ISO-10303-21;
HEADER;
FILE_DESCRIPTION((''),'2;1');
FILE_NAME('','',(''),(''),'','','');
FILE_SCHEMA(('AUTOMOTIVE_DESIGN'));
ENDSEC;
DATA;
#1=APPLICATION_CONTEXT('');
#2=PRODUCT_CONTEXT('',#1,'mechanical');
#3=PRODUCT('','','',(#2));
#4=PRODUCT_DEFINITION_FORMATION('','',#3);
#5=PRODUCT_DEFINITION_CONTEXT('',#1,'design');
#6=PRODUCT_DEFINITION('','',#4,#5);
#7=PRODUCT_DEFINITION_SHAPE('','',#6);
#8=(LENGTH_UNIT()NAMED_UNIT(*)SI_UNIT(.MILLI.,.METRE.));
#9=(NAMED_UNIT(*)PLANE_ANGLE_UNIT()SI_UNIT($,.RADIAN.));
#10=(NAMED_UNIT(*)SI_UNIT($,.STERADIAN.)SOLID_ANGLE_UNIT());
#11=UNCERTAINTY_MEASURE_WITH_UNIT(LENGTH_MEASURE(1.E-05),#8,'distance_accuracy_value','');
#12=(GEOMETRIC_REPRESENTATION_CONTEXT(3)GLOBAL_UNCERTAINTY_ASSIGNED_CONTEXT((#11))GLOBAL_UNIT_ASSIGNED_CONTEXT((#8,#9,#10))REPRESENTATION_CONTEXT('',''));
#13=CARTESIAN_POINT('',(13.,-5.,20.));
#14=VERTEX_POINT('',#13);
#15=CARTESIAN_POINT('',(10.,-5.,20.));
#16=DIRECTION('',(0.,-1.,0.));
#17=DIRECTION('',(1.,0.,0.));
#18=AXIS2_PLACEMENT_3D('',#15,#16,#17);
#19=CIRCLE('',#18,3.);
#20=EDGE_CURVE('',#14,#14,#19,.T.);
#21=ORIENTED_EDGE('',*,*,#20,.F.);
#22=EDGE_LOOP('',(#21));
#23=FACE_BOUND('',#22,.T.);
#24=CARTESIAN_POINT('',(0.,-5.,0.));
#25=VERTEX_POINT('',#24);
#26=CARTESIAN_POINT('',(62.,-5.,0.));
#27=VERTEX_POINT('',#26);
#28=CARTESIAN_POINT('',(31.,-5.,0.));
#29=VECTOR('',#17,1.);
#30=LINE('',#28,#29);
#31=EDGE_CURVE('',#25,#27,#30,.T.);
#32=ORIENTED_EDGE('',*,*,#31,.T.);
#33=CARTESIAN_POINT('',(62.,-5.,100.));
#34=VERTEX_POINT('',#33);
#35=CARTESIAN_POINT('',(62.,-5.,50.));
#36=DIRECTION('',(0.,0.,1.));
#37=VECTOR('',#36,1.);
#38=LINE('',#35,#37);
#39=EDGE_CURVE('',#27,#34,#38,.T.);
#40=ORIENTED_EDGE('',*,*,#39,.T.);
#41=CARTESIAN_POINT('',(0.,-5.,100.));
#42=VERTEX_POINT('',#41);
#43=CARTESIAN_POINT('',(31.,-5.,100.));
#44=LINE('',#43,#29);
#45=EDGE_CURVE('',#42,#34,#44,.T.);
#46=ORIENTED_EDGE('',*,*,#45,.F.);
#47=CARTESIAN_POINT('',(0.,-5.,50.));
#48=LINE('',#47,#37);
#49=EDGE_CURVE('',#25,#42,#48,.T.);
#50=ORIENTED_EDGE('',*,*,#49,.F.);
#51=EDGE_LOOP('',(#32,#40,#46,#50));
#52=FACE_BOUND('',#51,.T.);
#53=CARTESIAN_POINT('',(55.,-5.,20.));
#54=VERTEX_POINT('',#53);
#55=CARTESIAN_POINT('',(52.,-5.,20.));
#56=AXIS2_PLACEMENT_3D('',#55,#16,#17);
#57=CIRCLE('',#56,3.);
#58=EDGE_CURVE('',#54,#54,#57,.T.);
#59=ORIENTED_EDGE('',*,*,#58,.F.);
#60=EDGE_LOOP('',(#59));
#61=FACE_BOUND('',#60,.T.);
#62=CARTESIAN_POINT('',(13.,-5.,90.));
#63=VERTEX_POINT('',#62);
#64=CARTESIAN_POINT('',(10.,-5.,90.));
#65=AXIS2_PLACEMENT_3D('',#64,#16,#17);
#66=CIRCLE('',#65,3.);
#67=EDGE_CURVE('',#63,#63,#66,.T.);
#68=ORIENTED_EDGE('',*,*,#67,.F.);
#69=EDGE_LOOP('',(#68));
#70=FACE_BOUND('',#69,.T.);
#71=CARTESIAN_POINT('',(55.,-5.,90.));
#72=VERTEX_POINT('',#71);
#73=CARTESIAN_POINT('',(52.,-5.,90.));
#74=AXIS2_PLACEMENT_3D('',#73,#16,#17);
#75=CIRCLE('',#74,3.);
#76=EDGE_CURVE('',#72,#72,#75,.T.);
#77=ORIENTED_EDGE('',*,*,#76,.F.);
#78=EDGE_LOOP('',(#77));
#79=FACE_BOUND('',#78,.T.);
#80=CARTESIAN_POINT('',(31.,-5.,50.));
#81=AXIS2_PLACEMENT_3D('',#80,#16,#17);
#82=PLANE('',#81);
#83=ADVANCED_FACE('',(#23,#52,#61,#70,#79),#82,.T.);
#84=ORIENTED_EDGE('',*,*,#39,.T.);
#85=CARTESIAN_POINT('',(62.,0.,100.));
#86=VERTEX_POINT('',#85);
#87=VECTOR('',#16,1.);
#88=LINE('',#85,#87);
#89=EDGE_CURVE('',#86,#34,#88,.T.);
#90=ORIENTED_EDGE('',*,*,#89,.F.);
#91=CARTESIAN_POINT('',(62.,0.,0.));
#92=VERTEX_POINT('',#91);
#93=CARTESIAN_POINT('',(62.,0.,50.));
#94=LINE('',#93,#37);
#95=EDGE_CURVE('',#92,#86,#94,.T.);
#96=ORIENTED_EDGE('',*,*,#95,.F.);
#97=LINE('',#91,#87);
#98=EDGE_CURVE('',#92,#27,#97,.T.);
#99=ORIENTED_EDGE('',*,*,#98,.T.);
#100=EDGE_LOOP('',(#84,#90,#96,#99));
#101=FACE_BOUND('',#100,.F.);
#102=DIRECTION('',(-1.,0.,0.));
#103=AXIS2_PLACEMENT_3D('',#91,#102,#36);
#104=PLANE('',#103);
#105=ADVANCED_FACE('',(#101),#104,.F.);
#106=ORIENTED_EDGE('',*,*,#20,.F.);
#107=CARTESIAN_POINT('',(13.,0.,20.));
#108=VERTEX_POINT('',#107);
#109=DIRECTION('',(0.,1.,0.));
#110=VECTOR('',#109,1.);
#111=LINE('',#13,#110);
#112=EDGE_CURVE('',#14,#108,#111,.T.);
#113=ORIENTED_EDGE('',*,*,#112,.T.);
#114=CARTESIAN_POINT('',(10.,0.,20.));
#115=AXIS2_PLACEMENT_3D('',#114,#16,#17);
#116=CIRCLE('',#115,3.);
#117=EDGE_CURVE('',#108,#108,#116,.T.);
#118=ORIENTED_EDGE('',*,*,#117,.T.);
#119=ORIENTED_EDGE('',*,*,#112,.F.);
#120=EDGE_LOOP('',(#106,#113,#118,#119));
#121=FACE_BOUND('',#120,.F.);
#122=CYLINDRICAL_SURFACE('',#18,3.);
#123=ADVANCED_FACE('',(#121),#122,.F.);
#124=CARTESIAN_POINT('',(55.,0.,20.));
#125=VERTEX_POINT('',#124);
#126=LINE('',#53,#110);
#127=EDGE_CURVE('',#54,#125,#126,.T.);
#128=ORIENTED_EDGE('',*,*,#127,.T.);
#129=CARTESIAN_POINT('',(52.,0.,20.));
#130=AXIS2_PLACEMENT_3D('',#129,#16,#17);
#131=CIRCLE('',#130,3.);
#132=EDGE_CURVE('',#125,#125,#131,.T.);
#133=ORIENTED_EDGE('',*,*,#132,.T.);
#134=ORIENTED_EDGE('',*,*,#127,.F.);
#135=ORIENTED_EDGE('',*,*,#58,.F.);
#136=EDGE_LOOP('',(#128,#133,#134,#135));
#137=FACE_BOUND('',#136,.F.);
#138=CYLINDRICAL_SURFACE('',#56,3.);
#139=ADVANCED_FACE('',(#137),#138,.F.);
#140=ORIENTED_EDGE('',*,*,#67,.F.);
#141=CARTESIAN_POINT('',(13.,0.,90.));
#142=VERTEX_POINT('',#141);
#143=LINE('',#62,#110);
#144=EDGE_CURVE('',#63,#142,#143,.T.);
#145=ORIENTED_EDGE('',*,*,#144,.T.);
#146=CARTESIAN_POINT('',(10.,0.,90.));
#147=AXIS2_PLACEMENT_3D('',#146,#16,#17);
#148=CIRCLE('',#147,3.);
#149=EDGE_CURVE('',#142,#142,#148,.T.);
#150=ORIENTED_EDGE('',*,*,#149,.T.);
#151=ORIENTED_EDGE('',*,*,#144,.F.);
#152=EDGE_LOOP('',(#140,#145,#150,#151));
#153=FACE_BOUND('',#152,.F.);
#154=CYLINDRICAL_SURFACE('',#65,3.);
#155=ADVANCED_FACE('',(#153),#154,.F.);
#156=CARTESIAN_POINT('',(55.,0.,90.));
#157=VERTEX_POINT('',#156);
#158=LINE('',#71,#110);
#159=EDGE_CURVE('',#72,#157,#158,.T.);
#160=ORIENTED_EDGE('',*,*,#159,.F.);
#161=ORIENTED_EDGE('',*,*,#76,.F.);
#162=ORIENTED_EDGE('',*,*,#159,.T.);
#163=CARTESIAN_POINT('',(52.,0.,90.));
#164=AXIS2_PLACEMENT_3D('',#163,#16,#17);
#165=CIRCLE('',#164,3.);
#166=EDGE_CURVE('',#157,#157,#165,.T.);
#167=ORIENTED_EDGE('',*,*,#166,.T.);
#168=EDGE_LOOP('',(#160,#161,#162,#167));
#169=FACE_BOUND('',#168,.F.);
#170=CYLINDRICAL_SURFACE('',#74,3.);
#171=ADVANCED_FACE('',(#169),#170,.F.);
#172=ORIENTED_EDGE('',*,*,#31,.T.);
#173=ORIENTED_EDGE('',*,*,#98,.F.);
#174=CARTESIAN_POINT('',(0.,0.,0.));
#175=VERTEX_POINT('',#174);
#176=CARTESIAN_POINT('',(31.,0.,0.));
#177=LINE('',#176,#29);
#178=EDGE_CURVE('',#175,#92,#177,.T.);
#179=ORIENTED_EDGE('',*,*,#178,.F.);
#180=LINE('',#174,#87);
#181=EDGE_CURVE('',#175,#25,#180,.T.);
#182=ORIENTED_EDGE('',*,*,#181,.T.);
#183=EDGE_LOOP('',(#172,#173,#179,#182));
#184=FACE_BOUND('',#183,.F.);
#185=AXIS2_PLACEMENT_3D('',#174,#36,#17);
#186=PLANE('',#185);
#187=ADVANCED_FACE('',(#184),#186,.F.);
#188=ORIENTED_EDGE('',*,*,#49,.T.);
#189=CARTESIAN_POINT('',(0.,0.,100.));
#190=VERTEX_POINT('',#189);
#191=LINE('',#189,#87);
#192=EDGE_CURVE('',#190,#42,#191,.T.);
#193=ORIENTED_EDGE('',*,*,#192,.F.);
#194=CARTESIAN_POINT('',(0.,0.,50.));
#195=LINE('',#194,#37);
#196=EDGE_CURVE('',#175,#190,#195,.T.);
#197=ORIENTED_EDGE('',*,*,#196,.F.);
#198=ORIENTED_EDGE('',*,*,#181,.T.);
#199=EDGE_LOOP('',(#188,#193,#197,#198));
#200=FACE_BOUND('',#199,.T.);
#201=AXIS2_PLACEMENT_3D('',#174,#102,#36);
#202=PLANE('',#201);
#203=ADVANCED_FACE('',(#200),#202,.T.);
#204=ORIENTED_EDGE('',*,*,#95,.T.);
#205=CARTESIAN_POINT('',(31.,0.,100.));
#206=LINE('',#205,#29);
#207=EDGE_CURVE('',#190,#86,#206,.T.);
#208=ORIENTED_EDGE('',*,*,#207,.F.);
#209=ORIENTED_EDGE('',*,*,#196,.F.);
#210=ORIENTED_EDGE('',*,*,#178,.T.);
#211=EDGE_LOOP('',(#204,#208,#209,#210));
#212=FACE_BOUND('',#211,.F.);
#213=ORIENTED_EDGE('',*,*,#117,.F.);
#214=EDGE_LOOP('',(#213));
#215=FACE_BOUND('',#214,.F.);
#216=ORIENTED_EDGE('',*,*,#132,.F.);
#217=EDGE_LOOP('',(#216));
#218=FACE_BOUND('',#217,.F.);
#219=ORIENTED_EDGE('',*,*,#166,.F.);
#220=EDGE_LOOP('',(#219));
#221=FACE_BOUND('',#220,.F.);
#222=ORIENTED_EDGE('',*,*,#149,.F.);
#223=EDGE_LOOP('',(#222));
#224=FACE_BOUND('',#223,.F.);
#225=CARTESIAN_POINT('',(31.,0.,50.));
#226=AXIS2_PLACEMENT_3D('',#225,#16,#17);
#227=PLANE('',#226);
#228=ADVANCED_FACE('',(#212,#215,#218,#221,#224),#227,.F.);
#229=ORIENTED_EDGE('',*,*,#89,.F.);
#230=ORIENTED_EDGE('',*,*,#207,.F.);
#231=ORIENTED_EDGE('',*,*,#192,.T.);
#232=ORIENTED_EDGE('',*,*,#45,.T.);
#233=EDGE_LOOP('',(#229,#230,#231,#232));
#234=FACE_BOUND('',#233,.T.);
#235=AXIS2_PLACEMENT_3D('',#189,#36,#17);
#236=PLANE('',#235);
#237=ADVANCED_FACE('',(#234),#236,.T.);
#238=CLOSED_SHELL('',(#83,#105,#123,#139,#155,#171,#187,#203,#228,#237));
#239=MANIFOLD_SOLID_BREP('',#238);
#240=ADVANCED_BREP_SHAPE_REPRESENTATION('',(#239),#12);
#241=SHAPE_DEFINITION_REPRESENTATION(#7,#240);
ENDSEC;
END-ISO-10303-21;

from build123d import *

# Parameters (mm, degrees)
F0_W     = 62
F0_H     = 100
F1_DEPTH = 5
F2_R     = 3
F3_DEPTH = 5.001


with BuildPart() as f1:
    # F0 (on Front) → F1 (new body)
    with BuildSketch(Plane.XZ):
        with Locations((31, 50)):
            Rectangle(F0_W, F0_H)
    extrude(amount=F1_DEPTH)

    # F2 (on face) → F3 (cut, through all)
    with BuildSketch(Plane.XZ.offset(5)):
        with Locations((10, 90)):
            Circle(F2_R)
        with Locations((52, 90)):
            Circle(F2_R)
        with Locations((10, 20)):
            Circle(F2_R)
        with Locations((52, 20)):
            Circle(F2_R)
    extrude(amount=-F3_DEPTH, mode=Mode.SUBTRACT)


solid = f1.part
